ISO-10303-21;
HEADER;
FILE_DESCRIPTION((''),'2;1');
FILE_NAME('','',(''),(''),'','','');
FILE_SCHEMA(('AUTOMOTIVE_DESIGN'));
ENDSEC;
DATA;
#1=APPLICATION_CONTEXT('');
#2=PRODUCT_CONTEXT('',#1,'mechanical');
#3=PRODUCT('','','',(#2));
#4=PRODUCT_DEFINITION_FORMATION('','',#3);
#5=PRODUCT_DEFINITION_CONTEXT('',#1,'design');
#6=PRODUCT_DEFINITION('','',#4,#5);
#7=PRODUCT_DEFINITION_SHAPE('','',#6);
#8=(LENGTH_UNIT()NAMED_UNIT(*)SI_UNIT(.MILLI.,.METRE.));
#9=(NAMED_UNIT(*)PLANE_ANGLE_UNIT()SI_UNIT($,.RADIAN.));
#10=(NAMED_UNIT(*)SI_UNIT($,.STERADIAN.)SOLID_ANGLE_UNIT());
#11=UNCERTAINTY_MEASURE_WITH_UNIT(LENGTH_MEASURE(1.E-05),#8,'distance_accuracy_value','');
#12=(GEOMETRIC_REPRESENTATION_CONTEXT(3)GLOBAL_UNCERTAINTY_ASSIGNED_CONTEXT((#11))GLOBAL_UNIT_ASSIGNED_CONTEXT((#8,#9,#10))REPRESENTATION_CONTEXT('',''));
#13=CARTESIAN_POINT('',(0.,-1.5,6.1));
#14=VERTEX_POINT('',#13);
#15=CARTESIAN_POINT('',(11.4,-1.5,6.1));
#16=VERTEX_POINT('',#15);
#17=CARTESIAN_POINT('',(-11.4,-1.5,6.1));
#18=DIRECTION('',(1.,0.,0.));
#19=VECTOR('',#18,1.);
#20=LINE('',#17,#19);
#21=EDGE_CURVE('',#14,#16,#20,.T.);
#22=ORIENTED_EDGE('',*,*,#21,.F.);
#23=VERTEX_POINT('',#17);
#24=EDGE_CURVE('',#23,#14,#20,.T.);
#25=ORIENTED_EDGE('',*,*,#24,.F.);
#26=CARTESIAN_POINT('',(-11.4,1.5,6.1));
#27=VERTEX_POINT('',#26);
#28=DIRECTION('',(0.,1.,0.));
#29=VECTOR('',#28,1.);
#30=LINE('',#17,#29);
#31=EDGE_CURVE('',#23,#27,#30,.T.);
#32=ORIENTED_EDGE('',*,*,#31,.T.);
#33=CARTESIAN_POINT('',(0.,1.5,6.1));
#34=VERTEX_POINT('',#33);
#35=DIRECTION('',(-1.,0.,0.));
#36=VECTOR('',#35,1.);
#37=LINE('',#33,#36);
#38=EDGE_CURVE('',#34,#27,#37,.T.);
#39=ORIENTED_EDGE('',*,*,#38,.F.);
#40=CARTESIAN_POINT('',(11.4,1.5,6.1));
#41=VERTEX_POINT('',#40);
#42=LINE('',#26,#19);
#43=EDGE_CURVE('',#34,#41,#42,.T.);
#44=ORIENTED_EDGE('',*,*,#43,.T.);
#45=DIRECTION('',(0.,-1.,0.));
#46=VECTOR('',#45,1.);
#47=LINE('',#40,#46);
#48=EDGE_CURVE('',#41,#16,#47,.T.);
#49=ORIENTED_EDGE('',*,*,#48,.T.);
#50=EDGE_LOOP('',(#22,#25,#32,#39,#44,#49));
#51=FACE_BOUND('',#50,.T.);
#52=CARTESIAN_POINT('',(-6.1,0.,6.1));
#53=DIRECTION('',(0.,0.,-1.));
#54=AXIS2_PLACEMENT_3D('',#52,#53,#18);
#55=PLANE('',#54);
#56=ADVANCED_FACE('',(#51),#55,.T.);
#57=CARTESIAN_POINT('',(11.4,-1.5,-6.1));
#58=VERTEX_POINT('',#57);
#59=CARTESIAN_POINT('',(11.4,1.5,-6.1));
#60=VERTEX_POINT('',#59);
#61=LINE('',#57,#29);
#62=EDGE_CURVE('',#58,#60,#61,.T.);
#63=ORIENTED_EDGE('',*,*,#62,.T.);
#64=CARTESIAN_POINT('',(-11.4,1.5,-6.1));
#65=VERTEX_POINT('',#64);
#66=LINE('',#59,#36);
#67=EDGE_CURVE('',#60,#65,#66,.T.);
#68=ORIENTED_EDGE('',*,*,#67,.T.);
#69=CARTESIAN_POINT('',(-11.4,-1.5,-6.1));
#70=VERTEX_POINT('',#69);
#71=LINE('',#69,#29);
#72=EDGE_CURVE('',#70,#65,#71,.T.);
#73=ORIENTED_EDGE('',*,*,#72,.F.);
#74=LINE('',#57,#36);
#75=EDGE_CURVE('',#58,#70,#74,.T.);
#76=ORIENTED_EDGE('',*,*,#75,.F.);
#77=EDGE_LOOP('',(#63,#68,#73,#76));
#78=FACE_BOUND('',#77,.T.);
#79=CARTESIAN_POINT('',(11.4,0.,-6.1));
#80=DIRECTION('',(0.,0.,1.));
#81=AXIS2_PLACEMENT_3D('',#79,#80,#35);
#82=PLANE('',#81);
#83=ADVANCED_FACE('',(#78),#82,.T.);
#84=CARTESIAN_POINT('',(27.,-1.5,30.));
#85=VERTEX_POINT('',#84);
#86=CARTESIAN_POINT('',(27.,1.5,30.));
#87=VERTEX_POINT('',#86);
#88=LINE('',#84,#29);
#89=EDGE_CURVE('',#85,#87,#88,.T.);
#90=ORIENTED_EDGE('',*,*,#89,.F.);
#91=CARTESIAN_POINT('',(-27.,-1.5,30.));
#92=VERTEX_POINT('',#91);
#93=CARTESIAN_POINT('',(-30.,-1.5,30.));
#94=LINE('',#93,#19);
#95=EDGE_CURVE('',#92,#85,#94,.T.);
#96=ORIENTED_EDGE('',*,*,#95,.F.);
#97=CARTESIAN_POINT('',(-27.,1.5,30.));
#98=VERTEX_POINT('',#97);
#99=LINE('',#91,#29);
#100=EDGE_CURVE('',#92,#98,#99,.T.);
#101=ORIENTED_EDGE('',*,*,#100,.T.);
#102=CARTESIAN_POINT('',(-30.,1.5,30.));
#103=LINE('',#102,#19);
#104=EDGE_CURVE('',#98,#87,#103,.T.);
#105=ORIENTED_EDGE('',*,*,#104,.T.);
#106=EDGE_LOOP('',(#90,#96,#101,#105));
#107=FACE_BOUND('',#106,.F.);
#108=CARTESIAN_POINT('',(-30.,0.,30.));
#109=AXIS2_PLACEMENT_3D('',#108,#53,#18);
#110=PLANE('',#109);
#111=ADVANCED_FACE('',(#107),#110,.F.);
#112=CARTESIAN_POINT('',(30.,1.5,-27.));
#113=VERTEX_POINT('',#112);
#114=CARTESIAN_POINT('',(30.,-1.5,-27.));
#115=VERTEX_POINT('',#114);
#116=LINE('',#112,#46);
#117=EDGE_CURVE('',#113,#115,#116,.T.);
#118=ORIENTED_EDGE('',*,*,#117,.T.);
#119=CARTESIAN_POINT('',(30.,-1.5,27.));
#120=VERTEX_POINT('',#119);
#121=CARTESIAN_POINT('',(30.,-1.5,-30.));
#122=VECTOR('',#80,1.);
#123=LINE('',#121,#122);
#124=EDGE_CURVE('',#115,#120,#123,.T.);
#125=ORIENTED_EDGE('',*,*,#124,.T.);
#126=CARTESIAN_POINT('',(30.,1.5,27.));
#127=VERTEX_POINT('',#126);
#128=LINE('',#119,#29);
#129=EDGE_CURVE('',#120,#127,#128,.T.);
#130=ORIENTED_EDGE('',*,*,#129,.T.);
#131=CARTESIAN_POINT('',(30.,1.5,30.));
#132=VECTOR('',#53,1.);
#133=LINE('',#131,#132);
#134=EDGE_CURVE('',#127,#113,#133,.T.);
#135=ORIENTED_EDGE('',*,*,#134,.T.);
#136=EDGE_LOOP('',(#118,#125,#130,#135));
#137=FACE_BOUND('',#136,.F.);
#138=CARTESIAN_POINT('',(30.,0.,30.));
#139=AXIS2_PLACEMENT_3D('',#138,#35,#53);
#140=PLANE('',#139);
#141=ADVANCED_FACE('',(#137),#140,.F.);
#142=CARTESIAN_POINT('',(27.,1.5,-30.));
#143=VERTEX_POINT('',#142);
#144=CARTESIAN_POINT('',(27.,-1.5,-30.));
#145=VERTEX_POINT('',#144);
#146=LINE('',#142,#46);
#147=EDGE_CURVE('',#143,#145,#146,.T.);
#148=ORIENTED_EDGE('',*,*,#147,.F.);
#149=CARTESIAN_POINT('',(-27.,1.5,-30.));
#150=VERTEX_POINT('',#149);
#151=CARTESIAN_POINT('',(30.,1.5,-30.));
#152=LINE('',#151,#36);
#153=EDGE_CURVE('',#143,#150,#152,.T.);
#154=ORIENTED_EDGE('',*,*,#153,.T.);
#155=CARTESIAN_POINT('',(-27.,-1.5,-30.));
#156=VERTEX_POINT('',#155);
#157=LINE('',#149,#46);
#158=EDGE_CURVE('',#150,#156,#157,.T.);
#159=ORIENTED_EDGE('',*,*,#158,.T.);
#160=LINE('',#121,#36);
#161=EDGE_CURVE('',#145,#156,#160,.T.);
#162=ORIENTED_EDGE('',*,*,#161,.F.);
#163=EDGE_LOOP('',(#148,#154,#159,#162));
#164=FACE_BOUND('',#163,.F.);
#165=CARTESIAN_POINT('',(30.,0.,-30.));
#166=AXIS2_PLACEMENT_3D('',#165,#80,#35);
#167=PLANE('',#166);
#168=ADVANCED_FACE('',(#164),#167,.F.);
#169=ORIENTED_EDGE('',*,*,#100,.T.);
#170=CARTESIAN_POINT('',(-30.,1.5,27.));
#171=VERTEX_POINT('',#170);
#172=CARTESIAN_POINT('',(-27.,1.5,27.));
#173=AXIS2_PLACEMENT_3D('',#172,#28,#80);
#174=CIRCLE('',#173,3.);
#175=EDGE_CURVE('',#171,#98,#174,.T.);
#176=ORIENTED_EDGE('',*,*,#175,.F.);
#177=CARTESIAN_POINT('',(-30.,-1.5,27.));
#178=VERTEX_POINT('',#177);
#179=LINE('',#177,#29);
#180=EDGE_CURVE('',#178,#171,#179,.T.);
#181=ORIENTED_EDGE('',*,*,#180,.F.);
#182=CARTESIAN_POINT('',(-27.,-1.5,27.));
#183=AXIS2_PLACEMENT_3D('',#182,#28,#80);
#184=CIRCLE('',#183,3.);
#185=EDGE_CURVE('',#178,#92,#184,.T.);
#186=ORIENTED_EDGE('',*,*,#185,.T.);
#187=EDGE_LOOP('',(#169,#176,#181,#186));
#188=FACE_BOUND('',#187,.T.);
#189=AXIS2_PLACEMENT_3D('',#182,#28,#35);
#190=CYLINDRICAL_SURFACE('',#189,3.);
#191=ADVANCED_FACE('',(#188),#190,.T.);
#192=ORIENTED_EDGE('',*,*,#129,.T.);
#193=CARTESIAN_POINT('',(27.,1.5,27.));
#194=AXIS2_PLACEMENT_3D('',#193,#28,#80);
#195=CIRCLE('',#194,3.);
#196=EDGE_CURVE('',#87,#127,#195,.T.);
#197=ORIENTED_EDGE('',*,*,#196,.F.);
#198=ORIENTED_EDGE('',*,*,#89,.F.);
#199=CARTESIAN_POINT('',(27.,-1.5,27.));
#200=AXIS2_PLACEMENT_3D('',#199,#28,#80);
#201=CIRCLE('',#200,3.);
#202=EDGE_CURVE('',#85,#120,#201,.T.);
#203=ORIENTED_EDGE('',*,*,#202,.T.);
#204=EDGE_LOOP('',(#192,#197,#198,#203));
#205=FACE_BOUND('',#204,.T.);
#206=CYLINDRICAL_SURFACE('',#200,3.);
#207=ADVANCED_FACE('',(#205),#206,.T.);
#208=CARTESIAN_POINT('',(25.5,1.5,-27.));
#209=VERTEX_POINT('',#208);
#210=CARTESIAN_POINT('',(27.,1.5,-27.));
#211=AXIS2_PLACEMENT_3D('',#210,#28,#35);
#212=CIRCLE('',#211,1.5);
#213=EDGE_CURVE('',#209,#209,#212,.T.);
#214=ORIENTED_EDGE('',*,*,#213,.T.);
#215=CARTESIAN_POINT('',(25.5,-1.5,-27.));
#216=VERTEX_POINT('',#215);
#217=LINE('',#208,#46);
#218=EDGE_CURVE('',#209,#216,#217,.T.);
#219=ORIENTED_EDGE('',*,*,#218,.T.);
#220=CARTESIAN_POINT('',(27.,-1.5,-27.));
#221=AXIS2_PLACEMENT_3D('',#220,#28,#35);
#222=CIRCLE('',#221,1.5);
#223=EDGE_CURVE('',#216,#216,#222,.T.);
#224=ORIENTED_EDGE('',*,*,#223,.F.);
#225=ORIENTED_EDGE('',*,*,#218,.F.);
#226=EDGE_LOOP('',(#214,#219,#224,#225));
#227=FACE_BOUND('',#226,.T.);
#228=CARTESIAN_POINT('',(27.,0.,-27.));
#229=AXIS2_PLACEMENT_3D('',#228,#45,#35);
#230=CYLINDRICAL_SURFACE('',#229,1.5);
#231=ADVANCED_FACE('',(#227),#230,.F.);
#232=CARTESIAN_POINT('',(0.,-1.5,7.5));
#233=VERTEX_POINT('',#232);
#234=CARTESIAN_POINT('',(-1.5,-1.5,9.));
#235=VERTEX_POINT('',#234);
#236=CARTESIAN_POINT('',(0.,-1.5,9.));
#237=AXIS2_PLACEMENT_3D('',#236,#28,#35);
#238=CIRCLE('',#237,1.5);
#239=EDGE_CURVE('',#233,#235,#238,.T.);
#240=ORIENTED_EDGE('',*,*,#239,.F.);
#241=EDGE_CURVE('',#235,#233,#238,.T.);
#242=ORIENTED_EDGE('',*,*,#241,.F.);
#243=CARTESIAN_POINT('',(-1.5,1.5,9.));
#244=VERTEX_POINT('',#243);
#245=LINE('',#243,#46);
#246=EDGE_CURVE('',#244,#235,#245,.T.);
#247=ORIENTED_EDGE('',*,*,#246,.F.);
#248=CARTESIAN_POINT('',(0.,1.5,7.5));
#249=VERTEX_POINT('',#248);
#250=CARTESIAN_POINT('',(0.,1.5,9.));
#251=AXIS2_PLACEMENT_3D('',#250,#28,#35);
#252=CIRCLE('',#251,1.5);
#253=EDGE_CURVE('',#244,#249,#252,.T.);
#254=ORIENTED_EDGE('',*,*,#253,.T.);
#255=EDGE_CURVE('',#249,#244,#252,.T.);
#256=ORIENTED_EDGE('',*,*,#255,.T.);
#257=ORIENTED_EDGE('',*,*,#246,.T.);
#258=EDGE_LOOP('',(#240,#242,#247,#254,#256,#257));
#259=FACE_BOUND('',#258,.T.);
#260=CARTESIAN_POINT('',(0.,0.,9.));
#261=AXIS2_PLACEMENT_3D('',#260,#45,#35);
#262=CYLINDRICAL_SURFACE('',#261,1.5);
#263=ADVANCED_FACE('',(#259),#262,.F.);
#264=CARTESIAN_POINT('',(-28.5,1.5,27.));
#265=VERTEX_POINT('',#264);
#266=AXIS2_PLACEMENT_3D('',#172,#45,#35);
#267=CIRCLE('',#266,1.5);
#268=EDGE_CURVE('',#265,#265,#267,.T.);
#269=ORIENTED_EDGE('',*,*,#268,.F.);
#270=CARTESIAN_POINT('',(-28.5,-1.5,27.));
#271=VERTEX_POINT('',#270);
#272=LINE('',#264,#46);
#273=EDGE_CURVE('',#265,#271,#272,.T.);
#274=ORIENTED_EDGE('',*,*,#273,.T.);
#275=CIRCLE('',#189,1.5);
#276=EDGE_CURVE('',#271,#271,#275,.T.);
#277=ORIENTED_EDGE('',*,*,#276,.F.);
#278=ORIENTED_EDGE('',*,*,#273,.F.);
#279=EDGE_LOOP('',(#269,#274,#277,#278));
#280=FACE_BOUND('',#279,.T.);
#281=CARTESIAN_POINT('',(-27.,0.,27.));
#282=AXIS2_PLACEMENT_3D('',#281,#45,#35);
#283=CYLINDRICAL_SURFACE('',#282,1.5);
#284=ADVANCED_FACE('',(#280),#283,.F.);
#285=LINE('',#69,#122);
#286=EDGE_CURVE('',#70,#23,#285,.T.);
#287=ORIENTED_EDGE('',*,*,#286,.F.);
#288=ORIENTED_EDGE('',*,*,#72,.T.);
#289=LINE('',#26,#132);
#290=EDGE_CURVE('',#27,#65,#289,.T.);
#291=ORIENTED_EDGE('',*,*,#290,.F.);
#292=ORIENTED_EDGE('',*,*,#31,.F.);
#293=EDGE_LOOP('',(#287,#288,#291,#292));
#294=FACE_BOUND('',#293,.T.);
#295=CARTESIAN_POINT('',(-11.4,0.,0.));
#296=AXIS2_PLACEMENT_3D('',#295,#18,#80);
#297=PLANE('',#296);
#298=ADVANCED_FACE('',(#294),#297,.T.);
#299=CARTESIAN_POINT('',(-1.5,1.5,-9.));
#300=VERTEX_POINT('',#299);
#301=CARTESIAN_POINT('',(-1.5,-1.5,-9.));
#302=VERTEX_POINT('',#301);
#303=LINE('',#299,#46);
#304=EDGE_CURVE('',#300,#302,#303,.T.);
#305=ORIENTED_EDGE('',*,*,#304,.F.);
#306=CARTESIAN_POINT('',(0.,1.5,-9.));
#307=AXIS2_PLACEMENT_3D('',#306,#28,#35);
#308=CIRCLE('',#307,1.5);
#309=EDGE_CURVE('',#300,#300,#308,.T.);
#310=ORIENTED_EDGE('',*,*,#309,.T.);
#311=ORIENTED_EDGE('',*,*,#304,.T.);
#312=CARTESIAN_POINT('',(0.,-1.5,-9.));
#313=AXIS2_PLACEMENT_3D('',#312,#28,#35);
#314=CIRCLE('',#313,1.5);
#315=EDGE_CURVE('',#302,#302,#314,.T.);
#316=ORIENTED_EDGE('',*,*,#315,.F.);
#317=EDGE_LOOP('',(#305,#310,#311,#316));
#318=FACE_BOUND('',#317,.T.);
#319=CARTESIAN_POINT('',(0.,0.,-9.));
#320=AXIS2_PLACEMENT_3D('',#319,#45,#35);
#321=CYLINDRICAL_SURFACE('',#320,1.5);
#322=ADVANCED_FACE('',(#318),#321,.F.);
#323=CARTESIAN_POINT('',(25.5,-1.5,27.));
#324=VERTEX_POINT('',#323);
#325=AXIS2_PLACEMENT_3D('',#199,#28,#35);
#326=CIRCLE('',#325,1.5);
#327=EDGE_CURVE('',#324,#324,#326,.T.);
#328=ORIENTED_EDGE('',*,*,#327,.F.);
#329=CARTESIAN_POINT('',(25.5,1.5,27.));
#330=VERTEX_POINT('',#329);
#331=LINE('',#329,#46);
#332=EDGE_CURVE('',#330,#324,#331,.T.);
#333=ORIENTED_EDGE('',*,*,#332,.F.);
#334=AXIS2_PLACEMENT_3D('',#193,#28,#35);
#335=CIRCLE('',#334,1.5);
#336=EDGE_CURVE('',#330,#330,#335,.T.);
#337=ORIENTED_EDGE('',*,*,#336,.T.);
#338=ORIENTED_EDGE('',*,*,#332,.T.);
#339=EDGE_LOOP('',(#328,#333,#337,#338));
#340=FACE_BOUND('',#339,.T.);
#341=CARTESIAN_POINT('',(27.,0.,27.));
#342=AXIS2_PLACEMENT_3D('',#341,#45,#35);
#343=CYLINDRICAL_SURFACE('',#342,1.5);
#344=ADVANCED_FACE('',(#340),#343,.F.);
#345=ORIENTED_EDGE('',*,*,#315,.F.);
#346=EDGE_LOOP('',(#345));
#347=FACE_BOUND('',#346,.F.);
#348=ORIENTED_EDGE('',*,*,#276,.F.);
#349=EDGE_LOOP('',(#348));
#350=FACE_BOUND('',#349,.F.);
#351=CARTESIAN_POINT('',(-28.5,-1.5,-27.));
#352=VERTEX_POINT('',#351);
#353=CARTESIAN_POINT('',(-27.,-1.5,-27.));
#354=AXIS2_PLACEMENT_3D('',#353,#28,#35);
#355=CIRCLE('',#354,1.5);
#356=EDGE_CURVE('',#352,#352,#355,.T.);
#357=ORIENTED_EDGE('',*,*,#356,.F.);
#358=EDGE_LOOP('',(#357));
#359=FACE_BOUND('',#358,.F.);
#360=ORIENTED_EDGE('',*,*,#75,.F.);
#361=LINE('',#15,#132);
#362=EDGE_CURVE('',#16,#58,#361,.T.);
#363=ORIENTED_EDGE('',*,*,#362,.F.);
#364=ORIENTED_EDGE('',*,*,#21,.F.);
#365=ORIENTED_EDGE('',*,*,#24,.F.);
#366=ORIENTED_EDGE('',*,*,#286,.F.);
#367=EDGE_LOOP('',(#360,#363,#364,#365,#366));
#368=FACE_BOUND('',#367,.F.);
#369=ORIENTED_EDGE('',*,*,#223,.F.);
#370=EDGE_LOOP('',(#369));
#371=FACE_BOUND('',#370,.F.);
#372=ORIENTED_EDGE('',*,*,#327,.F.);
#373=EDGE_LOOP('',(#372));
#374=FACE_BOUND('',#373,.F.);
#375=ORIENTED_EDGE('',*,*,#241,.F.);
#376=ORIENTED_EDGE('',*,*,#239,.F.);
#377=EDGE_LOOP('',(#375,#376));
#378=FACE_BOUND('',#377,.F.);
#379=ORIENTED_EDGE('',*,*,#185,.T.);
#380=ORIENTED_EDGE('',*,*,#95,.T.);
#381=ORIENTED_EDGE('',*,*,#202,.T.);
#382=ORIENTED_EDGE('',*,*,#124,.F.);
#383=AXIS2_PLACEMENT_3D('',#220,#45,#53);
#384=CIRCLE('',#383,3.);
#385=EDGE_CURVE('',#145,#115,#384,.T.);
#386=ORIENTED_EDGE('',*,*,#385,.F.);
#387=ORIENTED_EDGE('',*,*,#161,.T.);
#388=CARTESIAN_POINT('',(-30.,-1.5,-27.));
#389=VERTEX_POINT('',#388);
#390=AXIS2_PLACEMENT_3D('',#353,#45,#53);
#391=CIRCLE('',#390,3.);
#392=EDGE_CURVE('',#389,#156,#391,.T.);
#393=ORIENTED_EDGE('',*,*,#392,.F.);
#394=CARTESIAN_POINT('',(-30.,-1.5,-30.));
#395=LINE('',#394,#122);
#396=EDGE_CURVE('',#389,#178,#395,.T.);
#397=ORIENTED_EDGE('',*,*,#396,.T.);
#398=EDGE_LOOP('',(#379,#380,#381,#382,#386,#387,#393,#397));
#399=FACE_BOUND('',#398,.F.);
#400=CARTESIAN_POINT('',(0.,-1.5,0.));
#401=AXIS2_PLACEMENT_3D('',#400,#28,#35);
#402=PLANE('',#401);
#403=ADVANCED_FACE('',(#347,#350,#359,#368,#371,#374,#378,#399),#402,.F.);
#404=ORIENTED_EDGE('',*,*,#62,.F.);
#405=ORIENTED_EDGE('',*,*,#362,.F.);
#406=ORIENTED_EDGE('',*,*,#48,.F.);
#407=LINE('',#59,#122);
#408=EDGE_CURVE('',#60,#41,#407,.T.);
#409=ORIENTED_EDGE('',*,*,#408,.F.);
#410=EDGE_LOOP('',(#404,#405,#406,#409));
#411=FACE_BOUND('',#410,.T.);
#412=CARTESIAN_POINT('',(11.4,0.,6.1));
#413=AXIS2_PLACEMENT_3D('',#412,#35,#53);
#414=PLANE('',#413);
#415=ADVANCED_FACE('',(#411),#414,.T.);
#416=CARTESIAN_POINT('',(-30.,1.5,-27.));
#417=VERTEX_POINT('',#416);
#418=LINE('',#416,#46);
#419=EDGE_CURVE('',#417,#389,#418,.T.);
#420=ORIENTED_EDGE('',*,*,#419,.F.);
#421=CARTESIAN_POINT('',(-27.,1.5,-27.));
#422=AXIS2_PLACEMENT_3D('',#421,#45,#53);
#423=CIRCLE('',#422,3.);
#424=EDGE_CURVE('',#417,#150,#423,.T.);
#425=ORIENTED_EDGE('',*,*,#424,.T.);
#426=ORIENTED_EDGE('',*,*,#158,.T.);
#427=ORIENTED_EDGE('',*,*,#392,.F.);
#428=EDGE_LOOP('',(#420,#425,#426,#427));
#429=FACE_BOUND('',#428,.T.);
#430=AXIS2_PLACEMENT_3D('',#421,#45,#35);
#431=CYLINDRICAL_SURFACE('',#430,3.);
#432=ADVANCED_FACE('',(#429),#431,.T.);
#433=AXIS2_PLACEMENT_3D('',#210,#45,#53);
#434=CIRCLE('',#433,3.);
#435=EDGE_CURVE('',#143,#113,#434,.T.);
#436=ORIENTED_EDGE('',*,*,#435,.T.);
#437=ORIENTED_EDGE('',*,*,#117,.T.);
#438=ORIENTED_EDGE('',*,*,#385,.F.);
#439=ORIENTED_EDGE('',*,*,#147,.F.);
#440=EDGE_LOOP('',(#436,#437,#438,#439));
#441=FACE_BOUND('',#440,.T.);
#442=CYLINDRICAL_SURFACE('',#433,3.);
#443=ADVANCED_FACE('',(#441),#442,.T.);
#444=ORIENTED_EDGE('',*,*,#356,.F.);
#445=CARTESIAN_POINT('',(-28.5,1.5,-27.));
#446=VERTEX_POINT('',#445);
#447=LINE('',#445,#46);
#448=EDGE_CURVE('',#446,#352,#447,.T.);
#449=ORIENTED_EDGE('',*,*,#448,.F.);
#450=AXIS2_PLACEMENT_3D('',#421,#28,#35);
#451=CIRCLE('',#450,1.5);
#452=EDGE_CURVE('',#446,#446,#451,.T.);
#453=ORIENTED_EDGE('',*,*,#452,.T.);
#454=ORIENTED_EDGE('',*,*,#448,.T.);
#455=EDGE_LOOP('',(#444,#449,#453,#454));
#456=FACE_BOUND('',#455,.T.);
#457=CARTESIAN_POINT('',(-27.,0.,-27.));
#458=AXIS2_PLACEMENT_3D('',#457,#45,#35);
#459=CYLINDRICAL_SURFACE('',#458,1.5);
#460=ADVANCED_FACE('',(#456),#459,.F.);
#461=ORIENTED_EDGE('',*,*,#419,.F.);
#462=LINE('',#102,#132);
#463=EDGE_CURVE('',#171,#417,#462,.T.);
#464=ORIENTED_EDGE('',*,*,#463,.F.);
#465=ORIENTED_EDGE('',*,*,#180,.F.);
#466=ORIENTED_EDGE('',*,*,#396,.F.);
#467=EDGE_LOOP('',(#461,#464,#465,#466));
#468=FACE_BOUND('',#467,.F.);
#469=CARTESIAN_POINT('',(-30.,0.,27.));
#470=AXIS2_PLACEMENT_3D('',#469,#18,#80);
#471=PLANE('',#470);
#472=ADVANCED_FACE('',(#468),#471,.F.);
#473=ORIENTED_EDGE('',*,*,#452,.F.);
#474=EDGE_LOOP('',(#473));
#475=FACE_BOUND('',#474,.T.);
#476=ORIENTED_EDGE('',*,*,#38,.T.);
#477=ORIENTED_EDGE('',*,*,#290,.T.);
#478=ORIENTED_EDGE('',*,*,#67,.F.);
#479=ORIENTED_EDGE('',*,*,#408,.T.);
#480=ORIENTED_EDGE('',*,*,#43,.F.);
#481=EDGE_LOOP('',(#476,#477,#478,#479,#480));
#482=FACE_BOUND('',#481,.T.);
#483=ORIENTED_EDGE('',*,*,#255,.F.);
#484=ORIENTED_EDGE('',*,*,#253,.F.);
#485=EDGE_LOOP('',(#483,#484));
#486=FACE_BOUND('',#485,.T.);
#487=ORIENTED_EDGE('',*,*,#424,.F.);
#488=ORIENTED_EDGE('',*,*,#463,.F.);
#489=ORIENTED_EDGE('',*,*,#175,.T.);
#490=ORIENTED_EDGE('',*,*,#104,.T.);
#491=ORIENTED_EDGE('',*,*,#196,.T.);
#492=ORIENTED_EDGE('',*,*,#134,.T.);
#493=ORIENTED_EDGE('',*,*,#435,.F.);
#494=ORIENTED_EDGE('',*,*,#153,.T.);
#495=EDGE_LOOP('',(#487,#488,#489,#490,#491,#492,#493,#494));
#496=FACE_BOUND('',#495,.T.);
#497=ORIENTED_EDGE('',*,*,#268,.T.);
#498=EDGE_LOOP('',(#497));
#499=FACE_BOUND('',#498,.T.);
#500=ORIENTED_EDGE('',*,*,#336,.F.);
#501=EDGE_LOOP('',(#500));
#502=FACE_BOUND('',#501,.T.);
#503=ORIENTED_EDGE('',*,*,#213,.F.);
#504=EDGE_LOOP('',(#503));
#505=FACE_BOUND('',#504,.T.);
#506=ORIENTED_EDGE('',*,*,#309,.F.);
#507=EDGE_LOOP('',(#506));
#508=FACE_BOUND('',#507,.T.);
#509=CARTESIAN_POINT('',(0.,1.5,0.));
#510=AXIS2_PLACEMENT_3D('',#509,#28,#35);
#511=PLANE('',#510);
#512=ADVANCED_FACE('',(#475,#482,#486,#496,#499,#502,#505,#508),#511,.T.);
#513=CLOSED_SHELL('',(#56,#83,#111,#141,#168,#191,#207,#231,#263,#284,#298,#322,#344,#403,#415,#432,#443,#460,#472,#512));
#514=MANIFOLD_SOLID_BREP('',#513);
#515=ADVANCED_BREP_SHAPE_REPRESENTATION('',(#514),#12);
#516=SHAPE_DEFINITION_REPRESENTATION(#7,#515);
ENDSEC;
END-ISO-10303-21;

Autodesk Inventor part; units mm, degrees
ref_plane "YZ Plane" through (0, 0, 0) normal (1, 0, 0) x (0, 1, 0)
ref_plane "XZ Plane" through (0, 0, 0) normal (0, 1, 0) x (-1, 0, 0)
ref_plane "XY Plane" through (0, 0, 0) normal (0, 0, 1) x (1, 0, 0)
sketch "草圖1" plane through (0, 0, 0) normal (0, 1, 0) x (-1, 0, 0)
  line L0 (30, 30) -> (-30, 30)
  line L1 (-30, 30) -> (-30, -30)
  line L2 (-30, -30) -> (30, -30)
  line L3 (30, -30) -> (30, 30)
  line L4 (30, 30) -> (30, 27)
  line L5 (30, 27) -> (27, 27)
  circle A0 centre (27, 27) radius 1.5
  circle A1 centre (-27, 27) radius 1.5
  circle A2 centre (-27, -27) radius 1.5
  circle A3 centre (27, -27) radius 1.5
  line L6 (11.4, 6.1) -> (-11.4, 6.1)
  line L7 (-11.4, 6.1) -> (-11.4, -6.1)
  line L8 (-11.4, -6.1) -> (11.4, -6.1)
  line L9 (11.4, -6.1) -> (11.4, 6.1)
  line L10 (0, 6.1) -> (0, 9)
  circle A4 centre (0, 9) radius 1.5
  line L11 (42, 0) -> (-42, 0) projected
  circle A5 centre (0, -9) radius 1.5
  line L12 (27, 27) -> (0, 0)
  dimension "d0" = 60
  dimension "d1" = 60
  dimension "d2" = 30
  dimension "d3" = 30
  dimension "d4" = 3
  dimension "d5" = 3
  dimension "d6" = 3
  dimension "d9" = 360
  dimension "d11" = 12.2
  dimension "d12" = 22.8
  dimension "d13" = 6.1
  dimension "d14" = 11.4
  dimension "d15" = 2.9
  dimension "d16" = 3
extrude "擠出1" add sketch "草圖1" along normal mid plane 3 contours L3 L5 A0 L12 L6 L7 L11 L1 L0 | L3 L11 L9 L6 L12 A0 L5 | L11 L7 L8 L9 L3 L2 L1
fillet "圓角1" radius 3 4 edges at (30, 0, 30) (-30, 0, 30) (-30, 0, -30) (30, 0, -30)
properties part number "板子5"
